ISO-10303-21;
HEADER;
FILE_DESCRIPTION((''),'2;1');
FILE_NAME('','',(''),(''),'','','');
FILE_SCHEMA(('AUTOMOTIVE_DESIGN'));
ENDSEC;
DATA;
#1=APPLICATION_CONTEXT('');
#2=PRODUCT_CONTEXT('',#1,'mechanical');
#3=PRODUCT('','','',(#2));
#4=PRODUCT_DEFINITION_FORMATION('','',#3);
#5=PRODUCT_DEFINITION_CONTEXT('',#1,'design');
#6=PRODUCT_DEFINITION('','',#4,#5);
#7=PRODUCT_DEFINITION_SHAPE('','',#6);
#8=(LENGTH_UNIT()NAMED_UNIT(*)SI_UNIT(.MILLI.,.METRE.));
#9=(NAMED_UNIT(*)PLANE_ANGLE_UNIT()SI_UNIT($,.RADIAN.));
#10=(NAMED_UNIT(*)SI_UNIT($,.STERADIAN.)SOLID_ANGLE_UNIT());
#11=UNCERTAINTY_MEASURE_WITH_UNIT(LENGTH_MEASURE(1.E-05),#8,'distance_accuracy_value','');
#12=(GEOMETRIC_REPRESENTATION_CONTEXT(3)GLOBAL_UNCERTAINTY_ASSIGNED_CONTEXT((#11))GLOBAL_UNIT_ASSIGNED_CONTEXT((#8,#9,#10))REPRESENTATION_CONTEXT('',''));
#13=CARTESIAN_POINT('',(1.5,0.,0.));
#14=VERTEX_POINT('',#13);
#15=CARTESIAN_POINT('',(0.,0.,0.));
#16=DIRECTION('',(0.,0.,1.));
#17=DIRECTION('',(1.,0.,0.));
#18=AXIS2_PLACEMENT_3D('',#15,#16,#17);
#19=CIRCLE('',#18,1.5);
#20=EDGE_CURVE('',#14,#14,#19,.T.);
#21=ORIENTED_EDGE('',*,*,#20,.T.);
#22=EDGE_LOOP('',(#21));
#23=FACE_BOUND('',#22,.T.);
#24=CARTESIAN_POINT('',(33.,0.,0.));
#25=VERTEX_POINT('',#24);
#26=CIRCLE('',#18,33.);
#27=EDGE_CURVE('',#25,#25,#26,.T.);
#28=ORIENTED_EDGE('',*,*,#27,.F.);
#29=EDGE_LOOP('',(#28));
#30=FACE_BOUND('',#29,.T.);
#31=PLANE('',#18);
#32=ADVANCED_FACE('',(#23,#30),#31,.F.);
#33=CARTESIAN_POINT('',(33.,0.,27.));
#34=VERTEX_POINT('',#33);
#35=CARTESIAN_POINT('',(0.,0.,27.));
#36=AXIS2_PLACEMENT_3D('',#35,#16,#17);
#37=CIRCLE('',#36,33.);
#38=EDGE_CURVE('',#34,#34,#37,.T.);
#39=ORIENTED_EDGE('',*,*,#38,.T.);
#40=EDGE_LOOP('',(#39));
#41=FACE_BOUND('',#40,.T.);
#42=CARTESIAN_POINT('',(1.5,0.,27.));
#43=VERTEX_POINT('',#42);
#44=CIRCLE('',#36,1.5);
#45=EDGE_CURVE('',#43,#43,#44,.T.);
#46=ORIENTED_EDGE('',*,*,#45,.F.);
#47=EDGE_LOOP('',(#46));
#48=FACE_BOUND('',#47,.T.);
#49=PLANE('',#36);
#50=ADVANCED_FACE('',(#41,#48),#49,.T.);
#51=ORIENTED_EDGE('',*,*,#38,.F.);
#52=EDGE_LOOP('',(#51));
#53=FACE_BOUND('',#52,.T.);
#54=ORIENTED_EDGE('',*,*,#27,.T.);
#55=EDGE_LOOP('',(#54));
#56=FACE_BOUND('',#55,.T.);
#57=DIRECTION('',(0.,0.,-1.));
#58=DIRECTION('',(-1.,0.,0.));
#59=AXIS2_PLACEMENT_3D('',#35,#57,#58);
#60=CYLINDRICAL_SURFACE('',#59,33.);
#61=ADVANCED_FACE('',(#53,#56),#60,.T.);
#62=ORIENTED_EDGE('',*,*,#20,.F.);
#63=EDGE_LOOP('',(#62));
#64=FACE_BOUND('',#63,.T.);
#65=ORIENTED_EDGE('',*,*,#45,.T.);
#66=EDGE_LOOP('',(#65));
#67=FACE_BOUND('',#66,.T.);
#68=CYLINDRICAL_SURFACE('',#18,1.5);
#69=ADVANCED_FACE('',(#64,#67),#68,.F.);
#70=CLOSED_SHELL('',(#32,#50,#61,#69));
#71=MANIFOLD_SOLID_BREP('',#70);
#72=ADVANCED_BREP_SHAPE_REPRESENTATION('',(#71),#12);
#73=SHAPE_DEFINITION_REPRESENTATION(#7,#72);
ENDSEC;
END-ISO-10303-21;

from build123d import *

# Parameters (mm, degrees)
SKETCH_1_R          = 33
EXTRUDE_1_DEPTH     = 27
SKETCH_2_R          = 1.5
CUT_EXTRUDE_1_DEPTH = 54.916602267


with BuildPart() as part:
    # 草图1 → 凸台-拉伸1 (new body)
    with BuildSketch(Plane.XY):
        Circle(SKETCH_1_R)
    extrude(amount=EXTRUDE_1_DEPTH)

    # 草图2 → 切除-拉伸1 (cut, through all)
    with BuildSketch(Plane.XY.offset(27)):
        Circle(SKETCH_2_R)
    extrude(amount=-CUT_EXTRUDE_1_DEPTH, mode=Mode.SUBTRACT)


solid = part.part
